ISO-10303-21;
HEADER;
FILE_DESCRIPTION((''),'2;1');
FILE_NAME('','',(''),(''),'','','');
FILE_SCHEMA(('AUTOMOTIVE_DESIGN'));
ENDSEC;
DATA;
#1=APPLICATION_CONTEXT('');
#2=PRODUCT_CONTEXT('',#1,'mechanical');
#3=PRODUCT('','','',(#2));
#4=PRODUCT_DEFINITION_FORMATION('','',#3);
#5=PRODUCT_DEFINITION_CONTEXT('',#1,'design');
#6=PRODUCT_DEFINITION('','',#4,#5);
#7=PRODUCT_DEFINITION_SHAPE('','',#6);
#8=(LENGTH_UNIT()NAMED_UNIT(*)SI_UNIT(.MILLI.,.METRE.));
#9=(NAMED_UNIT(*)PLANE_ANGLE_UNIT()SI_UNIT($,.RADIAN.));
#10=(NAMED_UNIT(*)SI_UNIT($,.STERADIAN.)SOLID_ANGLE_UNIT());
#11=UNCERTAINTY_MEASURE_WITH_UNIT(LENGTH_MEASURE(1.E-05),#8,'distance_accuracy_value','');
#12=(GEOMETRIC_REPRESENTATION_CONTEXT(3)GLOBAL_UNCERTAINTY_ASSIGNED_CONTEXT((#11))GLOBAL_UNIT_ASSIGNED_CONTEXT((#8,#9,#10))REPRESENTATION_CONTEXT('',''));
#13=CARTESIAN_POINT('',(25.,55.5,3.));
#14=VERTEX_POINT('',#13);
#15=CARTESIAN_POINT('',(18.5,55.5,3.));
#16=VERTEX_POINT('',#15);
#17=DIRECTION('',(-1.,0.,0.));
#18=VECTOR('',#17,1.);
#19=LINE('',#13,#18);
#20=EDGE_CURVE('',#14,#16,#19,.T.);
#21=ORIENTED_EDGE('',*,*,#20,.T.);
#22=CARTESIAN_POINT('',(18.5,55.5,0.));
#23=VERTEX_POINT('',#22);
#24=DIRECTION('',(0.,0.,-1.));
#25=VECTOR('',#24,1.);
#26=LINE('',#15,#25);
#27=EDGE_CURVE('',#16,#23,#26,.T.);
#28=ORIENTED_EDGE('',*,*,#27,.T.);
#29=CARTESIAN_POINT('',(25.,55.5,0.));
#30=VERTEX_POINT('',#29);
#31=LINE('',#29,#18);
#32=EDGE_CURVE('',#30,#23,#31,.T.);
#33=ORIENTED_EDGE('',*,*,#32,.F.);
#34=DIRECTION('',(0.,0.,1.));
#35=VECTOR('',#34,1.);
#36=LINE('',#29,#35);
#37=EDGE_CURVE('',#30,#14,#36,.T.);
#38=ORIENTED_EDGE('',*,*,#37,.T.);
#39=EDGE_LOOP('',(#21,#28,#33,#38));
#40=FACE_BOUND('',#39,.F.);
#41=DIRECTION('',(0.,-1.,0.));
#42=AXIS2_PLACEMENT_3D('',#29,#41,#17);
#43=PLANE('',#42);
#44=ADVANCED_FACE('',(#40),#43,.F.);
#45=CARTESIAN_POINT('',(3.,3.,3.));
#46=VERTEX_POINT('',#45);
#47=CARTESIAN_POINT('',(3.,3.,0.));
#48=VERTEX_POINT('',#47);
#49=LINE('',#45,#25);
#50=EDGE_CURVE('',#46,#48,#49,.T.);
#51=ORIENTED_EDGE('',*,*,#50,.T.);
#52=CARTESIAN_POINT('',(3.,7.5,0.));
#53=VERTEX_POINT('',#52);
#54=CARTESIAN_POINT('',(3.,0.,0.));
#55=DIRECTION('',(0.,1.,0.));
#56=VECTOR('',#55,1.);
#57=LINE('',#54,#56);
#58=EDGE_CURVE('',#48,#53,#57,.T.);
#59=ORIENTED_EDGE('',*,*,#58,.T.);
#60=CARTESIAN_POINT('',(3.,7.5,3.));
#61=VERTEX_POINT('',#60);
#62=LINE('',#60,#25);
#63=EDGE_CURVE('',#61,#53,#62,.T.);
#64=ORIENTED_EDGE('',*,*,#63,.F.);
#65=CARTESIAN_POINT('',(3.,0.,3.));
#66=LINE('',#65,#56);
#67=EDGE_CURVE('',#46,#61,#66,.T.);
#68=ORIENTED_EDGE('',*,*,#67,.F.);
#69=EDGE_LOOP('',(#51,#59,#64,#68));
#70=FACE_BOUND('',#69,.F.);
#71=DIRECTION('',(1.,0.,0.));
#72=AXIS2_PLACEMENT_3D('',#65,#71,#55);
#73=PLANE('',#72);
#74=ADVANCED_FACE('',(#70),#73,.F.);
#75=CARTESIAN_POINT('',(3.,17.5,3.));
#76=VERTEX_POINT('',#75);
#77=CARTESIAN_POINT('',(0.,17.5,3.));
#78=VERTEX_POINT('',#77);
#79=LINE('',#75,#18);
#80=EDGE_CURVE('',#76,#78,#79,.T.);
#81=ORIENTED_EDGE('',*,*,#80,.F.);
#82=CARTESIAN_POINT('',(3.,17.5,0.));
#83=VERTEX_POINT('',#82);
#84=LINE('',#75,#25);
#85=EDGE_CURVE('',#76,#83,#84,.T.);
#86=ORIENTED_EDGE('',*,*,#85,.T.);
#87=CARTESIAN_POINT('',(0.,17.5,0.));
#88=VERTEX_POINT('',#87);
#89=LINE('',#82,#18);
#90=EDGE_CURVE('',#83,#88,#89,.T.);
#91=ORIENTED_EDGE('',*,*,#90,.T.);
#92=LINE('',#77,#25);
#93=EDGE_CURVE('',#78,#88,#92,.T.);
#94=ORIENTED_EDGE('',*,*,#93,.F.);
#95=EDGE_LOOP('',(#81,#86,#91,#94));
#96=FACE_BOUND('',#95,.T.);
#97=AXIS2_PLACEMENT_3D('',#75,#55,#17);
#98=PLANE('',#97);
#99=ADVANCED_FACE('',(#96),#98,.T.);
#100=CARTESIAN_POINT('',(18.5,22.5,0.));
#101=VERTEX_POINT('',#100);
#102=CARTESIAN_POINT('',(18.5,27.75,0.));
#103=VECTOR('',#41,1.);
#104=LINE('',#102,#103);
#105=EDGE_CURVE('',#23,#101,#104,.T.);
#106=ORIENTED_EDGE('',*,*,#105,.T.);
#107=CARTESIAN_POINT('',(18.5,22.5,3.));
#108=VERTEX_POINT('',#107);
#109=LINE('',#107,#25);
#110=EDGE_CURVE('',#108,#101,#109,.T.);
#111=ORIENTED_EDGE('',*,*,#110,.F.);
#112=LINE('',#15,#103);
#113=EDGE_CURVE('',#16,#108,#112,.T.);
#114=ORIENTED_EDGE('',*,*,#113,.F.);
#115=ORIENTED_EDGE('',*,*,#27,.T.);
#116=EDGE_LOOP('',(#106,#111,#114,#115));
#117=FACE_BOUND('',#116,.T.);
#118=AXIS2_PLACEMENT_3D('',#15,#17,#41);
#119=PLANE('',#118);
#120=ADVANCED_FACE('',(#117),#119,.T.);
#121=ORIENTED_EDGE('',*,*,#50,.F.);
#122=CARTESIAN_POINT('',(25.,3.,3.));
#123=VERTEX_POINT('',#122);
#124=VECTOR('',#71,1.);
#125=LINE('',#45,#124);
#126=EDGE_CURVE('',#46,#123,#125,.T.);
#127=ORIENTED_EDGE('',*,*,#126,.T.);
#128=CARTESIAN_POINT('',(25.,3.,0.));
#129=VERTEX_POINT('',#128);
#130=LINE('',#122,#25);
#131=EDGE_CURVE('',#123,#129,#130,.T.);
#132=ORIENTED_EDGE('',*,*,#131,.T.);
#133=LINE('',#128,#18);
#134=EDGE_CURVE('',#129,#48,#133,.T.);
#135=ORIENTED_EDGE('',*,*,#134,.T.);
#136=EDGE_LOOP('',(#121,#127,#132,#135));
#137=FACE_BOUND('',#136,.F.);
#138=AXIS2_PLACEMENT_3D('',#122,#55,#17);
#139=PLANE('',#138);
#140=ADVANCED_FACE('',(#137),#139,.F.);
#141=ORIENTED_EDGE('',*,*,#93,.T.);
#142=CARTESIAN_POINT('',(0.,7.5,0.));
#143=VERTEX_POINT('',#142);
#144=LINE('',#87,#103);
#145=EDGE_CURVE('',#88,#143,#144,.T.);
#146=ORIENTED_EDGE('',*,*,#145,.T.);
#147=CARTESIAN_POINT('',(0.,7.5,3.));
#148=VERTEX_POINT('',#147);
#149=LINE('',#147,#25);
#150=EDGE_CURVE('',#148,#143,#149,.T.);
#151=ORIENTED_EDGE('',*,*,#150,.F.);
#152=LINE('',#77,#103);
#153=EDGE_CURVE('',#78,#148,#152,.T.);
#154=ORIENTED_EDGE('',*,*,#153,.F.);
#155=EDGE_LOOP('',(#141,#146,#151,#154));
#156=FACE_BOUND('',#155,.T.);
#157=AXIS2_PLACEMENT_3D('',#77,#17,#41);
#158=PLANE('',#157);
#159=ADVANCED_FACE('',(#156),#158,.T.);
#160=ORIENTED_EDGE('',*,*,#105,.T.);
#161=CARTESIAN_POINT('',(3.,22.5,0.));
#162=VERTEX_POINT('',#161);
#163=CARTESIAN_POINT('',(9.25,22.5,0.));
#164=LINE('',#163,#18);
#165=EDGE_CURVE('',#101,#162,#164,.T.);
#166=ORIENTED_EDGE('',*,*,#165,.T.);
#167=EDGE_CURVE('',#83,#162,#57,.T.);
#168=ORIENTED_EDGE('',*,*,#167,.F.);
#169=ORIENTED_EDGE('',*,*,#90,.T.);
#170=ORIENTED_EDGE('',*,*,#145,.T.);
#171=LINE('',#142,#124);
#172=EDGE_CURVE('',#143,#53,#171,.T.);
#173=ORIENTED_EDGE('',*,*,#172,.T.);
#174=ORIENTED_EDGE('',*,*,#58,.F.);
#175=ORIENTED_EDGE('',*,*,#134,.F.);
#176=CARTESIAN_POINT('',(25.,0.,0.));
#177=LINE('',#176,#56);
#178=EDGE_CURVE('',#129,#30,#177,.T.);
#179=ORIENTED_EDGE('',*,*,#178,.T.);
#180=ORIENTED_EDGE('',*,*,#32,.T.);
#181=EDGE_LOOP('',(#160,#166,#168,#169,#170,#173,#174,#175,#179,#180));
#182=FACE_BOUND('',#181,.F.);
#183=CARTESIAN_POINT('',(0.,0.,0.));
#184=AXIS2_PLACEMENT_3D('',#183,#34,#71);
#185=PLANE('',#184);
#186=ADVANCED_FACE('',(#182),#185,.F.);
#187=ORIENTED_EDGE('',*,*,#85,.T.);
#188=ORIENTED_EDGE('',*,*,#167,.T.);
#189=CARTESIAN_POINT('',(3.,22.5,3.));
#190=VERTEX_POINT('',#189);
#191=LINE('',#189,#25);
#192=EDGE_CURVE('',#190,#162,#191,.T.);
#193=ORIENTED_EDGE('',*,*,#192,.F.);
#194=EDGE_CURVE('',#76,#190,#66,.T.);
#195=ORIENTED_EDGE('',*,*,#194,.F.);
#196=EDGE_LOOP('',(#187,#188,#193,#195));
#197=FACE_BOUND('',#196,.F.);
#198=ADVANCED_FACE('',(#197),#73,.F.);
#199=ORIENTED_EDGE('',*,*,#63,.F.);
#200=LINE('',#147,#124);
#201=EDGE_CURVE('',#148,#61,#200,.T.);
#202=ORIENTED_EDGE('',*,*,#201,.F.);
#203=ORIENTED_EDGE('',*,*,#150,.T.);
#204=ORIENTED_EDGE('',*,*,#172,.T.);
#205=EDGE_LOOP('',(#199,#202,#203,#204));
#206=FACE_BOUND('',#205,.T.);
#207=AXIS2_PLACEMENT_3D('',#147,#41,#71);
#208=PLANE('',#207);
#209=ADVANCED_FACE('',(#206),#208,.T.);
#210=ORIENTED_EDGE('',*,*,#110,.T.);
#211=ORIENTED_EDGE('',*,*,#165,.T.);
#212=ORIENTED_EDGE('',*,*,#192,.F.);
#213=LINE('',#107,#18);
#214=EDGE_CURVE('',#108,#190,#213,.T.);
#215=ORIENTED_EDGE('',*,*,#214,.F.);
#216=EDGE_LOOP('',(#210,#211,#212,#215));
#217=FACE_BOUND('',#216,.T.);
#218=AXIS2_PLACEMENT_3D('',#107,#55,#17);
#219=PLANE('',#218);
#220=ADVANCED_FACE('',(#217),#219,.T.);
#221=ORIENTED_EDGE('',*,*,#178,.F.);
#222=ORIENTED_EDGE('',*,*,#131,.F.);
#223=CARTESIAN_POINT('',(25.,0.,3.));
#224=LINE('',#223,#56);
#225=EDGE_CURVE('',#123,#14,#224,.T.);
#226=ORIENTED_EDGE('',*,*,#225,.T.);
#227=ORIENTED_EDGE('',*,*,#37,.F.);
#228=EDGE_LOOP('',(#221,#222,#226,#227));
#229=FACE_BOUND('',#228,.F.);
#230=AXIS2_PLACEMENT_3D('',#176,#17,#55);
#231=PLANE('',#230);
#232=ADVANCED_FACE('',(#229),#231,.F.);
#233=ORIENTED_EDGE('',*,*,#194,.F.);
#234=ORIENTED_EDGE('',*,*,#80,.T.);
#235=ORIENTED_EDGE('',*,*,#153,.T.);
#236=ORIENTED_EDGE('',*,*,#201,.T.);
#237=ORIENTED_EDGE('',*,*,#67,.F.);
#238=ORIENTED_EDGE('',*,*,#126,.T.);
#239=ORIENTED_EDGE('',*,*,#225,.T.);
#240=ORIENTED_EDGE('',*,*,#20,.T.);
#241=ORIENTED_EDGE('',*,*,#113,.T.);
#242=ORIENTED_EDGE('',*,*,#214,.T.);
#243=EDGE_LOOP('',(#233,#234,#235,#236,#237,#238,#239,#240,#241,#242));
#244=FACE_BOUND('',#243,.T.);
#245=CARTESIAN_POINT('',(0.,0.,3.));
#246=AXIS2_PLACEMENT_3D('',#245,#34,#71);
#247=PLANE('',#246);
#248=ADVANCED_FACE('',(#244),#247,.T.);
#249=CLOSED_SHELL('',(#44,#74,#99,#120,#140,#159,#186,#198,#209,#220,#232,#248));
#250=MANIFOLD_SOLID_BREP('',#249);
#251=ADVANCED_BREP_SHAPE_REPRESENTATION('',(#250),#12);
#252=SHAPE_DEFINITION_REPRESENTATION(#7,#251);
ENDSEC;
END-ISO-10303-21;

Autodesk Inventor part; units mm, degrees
ref_plane "YZ Plane" through (0, 0, 0) normal (1, 0, 0) x (0, 1, 0)
ref_plane "XZ Plane" through (0, 0, 0) normal (0, 1, 0) x (-1, 0, 0)
ref_plane "XY Plane" through (0, 0, 0) normal (0, 0, 1) x (1, 0, 0)
sketch "Sketch1" plane through (0, 0, 0) normal (0, 0, 1) x (1, 0, 0)
  line L0 (0, 0) -> (25, 0)
  line L1 (25, 0) -> (25, 55.5)
  line L2 (25, 55.5) -> (0, 55.5)
  line L3 (0, 55.5) -> (0, 0)
  dimension "d0" = 25
  dimension "d1" = 55.5
extrude "Extrusion1" add sketch "Sketch1" along normal blind 3
sketch "Sketch2" plane through (0, 0, 3) normal (0, 0, 1) x (1, 0, 0)
  line L0 (0, 55.5) -> (0, 0) projected
  line L1 (25, 55.5) -> (0, 55.5) projected
  line L2 (0, 0) -> (3, 0)
  line L3 (3, 0) -> (3, 55.5)
  line L4 (3, 55.5) -> (0, 55.5)
  line L5 (0, 55.5) -> (0, 0)
  dimension "d4" = 3
extrude "Extrusion2" cut sketch "Sketch2" against normal through all
sketch "Sketch3" plane through (0, 0, 3) normal (0, 0, 1) x (1, 0, 0)
  point P0 (0, 0)
sketch "Sketch4" plane through (0, 0, 3) normal (0, 0, 1) x (1, 0, 0)
  line L0 (25, 55.5) -> (3, 55.5) projected
  line L1 (3, 55.5) -> (18.5, 55.5)
  line L2 (18.5, 55.5) -> (18.5, 22.5)
  line L3 (18.5, 22.5) -> (3, 22.5)
  line L4 (3, 22.5) -> (3, 55.5)
  point P0 (0, 0)
  dimension "d7" = 15.5
  dimension "d8" = 33
extrude "Extrusion3" cut sketch "Sketch4" against normal through all
sketch "Sketch5" plane through (0, 0, 3) normal (0, 0, 1) x (1, 0, 0)
  line L0 (3, 0) -> (25, 0) projected
  line L1 (8, 0) -> (18, 0)
  line L2 (18, 0) -> (18, 3)
  line L3 (18, 3) -> (8, 3)
  line L4 (8, 3) -> (8, 0)
  line L5 (3, 22.5) -> (3, 0) projected
  line L6 (3, 0) -> (8, 0)
  line L7 (8, 0) -> (8, 3)
  line L8 (8, 3) -> (3, 3)
  line L9 (3, 3) -> (3, 0)
  line L10 (18, 0) -> (25, 0)
  line L11 (25, 0) -> (25, 3)
  line L12 (25, 3) -> (18, 3)
  line L13 (18, 3) -> (18, 0)
  point P0 (0, 0)
  dimension "d11" = 10
  dimension "d12" = 3
  dimension "d13" = 5
extrude "Extrusion4" cut sketch "Sketch5" against normal through all contours L5 L8 L4 L0 | L2 L12 L11 L0
sketch "Sketch6" plane through (0, 0, 3) normal (0, 0, 1) x (1, 0, 0)
  line L0 (8, 0) -> (18, 0) projected
  line L1 (18, 3) -> (25, 3) projected
  line L2 (8, 0) -> (18, 0)
  line L3 (18, 0) -> (18, 3)
  line L4 (18, 3) -> (8, 3)
  line L5 (8, 3) -> (8, 0)
  point P0 (0, 0)
extrude "Extrusion5" cut sketch "Sketch6" against normal through all
sketch "Sketch7" plane through (0, 0, 3) normal (0, 0, 1) x (1, 0, 0)
  line L0 (3, 22.5) -> (3, 3) projected
  line L1 (3, 17.5) -> (0, 17.5)
  line L2 (0, 17.5) -> (0, 7.5)
  line L3 (0, 7.5) -> (3, 7.5)
  line L4 (3, 7.5) -> (3, 17.5)
  line L5 (3, 3) -> (25, 3) projected
  point P0 (0, 0)
  dimension "d18" = 3
  dimension "d19" = 10
  dimension "d20" = 4.5
extrude "Extrusion6" add sketch "Sketch7" against normal blind 3
properties part number "hollow_mount"
